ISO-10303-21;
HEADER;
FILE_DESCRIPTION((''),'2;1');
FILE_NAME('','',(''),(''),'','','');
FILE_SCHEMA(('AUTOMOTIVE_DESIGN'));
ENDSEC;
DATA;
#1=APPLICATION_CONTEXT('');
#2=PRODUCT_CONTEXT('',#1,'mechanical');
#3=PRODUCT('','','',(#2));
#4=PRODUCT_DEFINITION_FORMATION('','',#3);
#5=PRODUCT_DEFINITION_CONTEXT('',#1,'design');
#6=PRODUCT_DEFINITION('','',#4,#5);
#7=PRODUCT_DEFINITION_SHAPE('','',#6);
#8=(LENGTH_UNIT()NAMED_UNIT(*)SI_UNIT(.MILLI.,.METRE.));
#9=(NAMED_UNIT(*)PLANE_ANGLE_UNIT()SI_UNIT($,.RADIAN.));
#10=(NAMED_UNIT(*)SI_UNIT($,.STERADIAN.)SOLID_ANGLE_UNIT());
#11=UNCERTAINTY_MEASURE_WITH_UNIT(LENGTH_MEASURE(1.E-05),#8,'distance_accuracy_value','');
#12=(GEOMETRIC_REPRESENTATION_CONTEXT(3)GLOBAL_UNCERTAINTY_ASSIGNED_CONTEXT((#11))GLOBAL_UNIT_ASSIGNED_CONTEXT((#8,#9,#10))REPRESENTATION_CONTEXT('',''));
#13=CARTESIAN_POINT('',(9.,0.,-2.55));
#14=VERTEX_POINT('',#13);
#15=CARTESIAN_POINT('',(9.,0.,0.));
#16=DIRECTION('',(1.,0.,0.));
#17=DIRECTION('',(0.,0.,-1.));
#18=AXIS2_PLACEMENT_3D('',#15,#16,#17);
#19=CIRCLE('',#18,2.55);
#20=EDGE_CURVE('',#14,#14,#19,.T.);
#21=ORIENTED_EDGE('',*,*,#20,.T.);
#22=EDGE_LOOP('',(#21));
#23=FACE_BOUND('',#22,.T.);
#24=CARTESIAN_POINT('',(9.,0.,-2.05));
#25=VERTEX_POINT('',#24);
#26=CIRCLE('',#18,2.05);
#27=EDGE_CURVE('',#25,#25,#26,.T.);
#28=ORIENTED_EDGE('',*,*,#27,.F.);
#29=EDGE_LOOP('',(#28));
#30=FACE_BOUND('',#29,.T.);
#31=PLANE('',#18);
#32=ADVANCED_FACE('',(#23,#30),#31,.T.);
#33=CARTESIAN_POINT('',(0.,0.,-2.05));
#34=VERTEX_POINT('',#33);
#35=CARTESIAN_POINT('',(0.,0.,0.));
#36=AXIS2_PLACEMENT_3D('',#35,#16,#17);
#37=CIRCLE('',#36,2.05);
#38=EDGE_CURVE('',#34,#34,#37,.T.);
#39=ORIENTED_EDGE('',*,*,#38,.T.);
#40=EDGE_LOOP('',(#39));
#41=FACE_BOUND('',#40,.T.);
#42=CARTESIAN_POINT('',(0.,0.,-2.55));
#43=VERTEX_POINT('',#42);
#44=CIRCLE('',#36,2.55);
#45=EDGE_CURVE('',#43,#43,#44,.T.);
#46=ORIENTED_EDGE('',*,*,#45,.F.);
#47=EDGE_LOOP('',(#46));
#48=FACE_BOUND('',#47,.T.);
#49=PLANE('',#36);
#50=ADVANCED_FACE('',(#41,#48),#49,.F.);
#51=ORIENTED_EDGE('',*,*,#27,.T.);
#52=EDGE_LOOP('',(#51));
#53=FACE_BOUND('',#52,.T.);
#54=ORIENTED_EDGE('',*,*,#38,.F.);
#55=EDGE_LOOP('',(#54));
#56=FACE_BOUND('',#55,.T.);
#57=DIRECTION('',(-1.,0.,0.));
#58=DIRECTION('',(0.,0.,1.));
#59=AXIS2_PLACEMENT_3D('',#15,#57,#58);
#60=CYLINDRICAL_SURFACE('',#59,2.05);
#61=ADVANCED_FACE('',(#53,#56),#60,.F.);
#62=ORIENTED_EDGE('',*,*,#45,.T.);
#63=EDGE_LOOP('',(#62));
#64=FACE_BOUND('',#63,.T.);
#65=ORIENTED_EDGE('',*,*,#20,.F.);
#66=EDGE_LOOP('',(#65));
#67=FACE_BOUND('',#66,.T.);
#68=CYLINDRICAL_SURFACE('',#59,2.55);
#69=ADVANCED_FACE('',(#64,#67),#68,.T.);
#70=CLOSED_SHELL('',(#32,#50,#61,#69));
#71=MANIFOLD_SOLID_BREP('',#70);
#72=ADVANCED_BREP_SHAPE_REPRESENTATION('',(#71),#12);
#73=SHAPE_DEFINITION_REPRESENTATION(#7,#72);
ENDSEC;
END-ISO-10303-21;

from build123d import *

# Parameters (mm, degrees)
SKIZZE1_R                       = 2.55
SKIZZE1_R_2                     = 2.05
AUFSATZ_LINEAR_AUSTRAGEN1_DEPTH = 9


with BuildPart() as part:
    # Skizze1 → Aufsatz-Linear austragen1 (new body)
    with BuildSketch(Plane(origin=(0, 0, 0), x_dir=(0, 0, -1), z_dir=(1, 0, 0))):
        Circle(SKIZZE1_R)
        Circle(SKIZZE1_R_2, mode=Mode.SUBTRACT)
    extrude(amount=AUFSATZ_LINEAR_AUSTRAGEN1_DEPTH)


solid = part.part
